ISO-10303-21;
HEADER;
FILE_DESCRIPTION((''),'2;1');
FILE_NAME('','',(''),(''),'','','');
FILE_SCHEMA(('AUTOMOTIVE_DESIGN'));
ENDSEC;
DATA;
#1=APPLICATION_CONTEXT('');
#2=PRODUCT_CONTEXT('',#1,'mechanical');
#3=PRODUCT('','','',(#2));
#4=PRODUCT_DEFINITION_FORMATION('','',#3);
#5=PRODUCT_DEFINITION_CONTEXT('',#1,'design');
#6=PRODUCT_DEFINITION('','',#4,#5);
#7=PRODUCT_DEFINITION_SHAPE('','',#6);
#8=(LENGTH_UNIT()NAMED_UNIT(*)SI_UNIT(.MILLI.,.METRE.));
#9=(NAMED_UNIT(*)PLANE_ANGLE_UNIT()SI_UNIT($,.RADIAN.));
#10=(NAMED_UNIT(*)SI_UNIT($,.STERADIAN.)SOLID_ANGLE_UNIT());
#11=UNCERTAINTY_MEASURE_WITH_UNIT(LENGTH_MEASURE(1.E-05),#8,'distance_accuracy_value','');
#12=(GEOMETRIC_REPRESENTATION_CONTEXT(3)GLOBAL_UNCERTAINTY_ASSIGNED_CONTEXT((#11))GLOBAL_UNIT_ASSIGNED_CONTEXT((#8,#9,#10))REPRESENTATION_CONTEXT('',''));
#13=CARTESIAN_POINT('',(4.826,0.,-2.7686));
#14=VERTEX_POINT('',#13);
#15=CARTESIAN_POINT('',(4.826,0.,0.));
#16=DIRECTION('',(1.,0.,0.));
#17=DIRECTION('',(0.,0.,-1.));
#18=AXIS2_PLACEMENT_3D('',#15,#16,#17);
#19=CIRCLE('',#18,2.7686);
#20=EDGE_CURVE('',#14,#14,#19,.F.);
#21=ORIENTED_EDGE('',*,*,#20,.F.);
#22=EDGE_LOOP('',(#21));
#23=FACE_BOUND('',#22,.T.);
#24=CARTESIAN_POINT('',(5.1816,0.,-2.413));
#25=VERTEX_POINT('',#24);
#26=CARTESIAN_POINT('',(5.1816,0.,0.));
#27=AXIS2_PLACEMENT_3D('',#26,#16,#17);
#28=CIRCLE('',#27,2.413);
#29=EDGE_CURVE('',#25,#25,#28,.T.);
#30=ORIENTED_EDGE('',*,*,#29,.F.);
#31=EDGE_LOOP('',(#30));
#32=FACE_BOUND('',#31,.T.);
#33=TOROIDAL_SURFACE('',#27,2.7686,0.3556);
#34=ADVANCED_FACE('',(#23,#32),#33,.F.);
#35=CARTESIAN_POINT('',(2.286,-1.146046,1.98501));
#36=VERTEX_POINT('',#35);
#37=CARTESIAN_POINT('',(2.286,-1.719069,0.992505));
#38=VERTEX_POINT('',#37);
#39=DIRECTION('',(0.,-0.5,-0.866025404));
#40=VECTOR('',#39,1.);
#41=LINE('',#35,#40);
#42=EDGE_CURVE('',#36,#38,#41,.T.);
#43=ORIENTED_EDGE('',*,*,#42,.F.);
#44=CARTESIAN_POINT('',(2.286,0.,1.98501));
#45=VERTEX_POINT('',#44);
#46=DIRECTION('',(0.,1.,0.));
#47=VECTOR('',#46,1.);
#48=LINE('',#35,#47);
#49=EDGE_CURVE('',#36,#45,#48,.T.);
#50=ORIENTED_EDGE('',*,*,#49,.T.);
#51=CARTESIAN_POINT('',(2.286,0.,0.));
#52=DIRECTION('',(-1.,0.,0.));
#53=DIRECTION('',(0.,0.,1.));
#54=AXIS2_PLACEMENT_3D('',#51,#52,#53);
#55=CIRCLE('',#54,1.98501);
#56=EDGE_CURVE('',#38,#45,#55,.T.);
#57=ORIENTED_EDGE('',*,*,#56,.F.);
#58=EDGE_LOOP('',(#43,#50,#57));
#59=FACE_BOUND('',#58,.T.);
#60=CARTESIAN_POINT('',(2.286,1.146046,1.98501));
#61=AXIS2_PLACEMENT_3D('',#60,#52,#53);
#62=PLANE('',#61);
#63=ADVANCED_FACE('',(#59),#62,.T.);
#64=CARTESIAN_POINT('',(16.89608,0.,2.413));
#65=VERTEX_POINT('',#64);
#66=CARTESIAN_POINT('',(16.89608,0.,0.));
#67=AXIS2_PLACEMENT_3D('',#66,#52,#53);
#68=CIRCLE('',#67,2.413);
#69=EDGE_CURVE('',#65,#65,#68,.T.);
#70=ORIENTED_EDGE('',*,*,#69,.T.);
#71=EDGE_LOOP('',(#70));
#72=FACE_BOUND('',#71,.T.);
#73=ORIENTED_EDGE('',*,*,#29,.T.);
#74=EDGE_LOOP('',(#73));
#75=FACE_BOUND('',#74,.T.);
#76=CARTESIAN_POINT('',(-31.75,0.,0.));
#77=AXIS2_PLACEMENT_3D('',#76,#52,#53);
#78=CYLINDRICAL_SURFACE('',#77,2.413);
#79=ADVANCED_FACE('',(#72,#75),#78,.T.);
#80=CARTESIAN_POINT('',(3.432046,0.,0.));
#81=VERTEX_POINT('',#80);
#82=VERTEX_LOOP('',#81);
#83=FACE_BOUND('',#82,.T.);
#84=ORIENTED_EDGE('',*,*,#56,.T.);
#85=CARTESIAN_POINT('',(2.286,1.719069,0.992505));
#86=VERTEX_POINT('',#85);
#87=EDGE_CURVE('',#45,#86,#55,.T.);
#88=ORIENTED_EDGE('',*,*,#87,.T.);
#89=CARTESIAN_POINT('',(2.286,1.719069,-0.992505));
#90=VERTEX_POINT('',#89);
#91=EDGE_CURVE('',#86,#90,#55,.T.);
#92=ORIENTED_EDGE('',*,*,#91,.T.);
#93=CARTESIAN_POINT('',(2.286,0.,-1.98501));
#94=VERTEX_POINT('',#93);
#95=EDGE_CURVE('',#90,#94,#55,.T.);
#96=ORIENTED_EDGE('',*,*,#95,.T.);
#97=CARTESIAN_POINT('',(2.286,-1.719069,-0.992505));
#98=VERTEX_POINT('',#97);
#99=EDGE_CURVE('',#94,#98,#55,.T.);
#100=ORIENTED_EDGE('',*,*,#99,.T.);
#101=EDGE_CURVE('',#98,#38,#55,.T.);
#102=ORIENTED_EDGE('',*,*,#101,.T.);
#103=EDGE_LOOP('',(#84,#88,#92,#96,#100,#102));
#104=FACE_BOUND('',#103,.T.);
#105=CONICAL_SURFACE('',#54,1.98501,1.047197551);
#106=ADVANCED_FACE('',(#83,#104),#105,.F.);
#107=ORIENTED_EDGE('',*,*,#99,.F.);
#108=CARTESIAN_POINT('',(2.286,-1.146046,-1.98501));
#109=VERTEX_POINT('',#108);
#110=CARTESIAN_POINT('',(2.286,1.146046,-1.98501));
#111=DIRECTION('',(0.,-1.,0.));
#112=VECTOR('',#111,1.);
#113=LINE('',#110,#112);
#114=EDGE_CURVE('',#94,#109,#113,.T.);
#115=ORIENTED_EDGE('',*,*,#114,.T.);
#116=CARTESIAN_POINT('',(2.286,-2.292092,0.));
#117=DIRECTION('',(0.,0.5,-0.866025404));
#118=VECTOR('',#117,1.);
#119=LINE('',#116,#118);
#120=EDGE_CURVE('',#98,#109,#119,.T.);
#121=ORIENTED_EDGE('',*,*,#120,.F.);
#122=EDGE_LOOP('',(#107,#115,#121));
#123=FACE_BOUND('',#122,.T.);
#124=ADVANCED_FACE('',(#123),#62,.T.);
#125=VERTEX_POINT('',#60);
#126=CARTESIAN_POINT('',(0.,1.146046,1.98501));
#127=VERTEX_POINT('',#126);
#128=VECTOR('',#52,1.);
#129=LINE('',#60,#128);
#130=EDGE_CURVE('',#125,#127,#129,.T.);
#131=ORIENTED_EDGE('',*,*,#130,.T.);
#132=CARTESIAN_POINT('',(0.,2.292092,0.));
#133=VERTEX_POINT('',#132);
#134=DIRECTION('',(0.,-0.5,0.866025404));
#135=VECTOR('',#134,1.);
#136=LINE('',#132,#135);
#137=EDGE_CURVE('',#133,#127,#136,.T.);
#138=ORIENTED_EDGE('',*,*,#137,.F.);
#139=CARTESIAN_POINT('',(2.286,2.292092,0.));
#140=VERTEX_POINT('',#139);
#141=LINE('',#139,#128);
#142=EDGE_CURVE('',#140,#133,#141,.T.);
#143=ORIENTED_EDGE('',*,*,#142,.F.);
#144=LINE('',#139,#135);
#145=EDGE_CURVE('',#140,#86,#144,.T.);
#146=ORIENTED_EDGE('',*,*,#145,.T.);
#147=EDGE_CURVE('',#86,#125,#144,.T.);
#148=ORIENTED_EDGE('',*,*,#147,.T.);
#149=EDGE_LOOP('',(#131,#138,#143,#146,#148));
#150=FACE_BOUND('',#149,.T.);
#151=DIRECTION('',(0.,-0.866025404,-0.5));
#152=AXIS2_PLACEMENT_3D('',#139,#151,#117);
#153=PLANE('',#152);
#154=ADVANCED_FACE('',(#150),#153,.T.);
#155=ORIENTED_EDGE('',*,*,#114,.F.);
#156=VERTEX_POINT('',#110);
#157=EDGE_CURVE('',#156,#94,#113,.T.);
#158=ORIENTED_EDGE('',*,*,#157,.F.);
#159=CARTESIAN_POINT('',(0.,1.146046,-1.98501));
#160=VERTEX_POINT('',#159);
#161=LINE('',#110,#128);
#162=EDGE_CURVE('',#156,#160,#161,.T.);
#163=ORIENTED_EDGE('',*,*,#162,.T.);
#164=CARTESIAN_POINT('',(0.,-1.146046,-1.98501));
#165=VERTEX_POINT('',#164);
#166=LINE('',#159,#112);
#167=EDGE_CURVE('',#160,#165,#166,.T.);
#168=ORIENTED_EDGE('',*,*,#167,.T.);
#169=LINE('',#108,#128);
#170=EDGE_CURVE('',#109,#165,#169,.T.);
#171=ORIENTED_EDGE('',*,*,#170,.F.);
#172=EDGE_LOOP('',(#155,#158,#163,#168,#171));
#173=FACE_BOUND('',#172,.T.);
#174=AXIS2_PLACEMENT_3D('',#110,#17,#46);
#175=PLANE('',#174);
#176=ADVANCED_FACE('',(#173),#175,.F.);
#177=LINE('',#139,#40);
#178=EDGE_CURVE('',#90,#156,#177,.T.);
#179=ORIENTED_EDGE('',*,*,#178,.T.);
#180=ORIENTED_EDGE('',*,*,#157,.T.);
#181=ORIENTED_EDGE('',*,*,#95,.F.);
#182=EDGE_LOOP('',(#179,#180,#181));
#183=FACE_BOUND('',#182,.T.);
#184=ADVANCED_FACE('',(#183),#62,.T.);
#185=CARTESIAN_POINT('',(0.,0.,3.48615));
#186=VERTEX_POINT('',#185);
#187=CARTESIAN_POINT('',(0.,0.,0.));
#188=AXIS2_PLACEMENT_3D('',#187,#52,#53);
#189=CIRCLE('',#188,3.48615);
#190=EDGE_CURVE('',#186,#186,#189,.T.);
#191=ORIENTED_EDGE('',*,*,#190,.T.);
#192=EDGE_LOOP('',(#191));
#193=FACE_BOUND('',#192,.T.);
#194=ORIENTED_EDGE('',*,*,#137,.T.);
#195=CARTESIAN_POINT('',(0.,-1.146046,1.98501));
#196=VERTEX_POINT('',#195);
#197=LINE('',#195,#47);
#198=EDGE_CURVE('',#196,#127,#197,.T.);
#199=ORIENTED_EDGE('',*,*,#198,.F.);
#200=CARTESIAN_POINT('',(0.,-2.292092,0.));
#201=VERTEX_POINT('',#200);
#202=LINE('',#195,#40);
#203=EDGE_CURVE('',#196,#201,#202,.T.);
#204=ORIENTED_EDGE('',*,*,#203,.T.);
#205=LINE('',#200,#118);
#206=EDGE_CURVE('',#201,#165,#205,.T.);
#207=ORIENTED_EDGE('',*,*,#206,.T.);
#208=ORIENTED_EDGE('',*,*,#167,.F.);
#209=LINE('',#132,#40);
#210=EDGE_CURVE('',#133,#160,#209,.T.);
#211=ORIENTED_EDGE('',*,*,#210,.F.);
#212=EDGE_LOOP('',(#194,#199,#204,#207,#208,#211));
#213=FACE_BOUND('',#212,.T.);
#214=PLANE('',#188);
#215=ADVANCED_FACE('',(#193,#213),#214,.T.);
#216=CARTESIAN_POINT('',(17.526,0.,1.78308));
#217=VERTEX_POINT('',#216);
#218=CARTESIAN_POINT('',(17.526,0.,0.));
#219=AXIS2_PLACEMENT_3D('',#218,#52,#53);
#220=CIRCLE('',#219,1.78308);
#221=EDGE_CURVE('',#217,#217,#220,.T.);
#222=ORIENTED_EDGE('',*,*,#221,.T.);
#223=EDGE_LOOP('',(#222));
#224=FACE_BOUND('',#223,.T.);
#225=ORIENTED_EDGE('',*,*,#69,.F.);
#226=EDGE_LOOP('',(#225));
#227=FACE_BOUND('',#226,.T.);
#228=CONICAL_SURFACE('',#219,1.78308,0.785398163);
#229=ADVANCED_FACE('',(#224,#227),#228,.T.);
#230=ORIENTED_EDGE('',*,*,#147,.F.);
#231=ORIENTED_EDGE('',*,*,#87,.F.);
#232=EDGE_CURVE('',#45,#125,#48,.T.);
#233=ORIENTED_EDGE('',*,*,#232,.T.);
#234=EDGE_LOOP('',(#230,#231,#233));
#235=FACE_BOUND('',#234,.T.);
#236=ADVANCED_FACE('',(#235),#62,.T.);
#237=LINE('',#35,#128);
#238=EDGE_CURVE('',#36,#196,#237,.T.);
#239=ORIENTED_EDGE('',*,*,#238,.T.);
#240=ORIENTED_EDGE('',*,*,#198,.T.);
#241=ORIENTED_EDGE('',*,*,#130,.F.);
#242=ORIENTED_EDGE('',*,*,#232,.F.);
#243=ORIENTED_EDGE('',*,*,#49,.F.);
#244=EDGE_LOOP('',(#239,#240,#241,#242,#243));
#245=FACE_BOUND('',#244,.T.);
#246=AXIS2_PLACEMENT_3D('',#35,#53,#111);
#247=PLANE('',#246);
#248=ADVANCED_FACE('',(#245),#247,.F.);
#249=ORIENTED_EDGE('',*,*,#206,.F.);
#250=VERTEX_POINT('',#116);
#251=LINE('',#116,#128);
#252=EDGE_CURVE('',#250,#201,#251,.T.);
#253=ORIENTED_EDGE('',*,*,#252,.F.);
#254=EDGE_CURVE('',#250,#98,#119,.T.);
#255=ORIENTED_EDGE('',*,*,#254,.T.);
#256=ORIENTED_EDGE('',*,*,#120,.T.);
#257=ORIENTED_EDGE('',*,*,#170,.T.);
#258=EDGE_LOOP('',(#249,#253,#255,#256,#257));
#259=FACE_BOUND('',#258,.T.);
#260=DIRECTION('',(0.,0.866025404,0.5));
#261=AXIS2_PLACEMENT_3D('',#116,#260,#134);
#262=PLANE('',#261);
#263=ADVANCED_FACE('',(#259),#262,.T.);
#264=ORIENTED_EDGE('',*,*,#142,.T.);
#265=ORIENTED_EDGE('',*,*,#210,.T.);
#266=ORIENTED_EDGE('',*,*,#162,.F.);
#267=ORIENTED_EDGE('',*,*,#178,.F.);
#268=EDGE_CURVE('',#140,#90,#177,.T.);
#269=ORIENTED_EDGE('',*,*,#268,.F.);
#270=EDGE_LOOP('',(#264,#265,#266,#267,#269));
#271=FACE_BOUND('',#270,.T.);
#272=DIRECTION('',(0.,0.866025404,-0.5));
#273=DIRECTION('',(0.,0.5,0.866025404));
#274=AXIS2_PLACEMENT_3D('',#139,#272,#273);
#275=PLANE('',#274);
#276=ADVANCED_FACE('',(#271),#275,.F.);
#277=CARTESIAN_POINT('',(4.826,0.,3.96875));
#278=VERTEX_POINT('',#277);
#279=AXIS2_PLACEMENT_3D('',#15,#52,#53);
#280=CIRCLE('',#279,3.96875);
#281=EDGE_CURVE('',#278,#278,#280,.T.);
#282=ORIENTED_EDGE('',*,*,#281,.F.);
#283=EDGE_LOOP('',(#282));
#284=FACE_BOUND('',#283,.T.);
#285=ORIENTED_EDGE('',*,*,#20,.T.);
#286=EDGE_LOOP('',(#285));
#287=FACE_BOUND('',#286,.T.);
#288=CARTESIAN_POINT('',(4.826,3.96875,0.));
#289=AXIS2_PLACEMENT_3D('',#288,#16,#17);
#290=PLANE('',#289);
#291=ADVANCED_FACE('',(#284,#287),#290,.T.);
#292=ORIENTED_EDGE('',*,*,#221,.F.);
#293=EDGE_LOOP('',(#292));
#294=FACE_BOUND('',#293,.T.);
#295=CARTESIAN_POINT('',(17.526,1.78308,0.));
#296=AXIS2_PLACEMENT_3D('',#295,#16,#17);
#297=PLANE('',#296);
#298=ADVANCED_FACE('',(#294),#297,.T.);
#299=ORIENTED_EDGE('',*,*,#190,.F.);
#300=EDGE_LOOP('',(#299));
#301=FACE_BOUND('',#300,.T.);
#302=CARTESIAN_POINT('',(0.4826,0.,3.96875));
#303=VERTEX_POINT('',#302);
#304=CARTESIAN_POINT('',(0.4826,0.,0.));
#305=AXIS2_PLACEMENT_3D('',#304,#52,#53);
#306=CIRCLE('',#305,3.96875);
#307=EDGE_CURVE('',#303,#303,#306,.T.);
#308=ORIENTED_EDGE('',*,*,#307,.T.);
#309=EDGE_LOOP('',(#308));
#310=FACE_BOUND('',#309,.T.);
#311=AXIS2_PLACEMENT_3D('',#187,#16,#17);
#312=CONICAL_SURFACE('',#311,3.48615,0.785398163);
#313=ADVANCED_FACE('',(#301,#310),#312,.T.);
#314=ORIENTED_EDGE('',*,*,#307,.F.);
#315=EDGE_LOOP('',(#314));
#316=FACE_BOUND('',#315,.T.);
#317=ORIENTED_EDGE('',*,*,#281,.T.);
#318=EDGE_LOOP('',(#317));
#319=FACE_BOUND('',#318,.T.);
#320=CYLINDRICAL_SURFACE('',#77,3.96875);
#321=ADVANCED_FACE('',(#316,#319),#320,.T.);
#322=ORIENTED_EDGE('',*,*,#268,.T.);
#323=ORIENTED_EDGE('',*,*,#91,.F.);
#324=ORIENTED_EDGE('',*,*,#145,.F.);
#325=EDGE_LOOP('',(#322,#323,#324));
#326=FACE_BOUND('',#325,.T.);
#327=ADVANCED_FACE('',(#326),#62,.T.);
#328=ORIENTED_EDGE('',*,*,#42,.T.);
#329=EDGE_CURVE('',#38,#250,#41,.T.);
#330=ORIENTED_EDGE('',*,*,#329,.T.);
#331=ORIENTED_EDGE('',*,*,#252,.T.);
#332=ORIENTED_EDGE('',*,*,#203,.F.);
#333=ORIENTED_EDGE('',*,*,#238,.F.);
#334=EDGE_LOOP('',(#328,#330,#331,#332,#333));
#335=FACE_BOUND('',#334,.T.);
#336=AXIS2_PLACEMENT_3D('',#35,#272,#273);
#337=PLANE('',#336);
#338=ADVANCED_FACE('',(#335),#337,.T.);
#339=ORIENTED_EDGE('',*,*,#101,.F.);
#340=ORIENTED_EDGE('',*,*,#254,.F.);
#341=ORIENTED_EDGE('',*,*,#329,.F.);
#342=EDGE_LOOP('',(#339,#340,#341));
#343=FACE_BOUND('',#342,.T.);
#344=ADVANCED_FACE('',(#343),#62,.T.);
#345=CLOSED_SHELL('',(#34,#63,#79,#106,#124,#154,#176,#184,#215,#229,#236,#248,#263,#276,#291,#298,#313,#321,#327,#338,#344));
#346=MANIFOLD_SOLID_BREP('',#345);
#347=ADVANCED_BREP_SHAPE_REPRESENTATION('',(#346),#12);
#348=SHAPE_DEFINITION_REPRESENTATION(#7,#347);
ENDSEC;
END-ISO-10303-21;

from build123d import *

# Parameters (mm, degrees)
FILLET1_R   = 0.3556
HEX_2_DEPTH = 2.286


with BuildPart() as part:
    # BodySke → Base-Revolve (revolve)
    with BuildSketch(Plane.XY, mode=Mode.PRIVATE) as base_revolve_sk:
        Polygon((0, 0), (0, 3.48615), (0.4826, 3.96875), (4.826, 3.96875), (4.826, 2.413), (16.89608, 2.413), (17.526, 1.78308), (17.526, 0), align=None)
    revolve(base_revolve_sk.sketch.rotate(Axis((-31.75, 0, 0), (1, 0, 0)), 90), axis=Axis((-31.75, 0, 0), (1, 0, 0)))

    # Fillet1
    fillet1_edges = [part.edges().sort_by_distance(p)[0] for p in [
        (4.826, 0, -2.413),
    ]]
    fillet(fillet1_edges, radius=FILLET1_R)

    # Sketch2 → Hex-PreBroach (revolve, cut)
    with BuildSketch(Plane.XY, mode=Mode.PRIVATE) as hex_prebroach_sk:
        Polygon((0, 1.98501), (2.286, 1.98501), (3.432046058, 0), (0, 0), align=None)
    revolve(hex_prebroach_sk.sketch.rotate(Axis((0, 0, 0), (1, 0, 0)), 90), axis=Axis((0, 0, 0), (1, 0, 0)), mode=Mode.SUBTRACT)

    # Sketch3 → Hex 2 (cut)
    with BuildSketch(Plane(origin=(0, 0, 0), x_dir=(0, 0.500000000000001, 0.866025403784438), z_dir=(-1, 0, 0))):
        Polygon((1.146046058, 1.98501), (-1.146046058, 1.98501), (-2.292092116, 0), (-1.146046058, -1.98501), (1.146046058, -1.98501), (2.292092116, 0), align=None)
    extrude(amount=-HEX_2_DEPTH, mode=Mode.SUBTRACT)


solid = part.part
